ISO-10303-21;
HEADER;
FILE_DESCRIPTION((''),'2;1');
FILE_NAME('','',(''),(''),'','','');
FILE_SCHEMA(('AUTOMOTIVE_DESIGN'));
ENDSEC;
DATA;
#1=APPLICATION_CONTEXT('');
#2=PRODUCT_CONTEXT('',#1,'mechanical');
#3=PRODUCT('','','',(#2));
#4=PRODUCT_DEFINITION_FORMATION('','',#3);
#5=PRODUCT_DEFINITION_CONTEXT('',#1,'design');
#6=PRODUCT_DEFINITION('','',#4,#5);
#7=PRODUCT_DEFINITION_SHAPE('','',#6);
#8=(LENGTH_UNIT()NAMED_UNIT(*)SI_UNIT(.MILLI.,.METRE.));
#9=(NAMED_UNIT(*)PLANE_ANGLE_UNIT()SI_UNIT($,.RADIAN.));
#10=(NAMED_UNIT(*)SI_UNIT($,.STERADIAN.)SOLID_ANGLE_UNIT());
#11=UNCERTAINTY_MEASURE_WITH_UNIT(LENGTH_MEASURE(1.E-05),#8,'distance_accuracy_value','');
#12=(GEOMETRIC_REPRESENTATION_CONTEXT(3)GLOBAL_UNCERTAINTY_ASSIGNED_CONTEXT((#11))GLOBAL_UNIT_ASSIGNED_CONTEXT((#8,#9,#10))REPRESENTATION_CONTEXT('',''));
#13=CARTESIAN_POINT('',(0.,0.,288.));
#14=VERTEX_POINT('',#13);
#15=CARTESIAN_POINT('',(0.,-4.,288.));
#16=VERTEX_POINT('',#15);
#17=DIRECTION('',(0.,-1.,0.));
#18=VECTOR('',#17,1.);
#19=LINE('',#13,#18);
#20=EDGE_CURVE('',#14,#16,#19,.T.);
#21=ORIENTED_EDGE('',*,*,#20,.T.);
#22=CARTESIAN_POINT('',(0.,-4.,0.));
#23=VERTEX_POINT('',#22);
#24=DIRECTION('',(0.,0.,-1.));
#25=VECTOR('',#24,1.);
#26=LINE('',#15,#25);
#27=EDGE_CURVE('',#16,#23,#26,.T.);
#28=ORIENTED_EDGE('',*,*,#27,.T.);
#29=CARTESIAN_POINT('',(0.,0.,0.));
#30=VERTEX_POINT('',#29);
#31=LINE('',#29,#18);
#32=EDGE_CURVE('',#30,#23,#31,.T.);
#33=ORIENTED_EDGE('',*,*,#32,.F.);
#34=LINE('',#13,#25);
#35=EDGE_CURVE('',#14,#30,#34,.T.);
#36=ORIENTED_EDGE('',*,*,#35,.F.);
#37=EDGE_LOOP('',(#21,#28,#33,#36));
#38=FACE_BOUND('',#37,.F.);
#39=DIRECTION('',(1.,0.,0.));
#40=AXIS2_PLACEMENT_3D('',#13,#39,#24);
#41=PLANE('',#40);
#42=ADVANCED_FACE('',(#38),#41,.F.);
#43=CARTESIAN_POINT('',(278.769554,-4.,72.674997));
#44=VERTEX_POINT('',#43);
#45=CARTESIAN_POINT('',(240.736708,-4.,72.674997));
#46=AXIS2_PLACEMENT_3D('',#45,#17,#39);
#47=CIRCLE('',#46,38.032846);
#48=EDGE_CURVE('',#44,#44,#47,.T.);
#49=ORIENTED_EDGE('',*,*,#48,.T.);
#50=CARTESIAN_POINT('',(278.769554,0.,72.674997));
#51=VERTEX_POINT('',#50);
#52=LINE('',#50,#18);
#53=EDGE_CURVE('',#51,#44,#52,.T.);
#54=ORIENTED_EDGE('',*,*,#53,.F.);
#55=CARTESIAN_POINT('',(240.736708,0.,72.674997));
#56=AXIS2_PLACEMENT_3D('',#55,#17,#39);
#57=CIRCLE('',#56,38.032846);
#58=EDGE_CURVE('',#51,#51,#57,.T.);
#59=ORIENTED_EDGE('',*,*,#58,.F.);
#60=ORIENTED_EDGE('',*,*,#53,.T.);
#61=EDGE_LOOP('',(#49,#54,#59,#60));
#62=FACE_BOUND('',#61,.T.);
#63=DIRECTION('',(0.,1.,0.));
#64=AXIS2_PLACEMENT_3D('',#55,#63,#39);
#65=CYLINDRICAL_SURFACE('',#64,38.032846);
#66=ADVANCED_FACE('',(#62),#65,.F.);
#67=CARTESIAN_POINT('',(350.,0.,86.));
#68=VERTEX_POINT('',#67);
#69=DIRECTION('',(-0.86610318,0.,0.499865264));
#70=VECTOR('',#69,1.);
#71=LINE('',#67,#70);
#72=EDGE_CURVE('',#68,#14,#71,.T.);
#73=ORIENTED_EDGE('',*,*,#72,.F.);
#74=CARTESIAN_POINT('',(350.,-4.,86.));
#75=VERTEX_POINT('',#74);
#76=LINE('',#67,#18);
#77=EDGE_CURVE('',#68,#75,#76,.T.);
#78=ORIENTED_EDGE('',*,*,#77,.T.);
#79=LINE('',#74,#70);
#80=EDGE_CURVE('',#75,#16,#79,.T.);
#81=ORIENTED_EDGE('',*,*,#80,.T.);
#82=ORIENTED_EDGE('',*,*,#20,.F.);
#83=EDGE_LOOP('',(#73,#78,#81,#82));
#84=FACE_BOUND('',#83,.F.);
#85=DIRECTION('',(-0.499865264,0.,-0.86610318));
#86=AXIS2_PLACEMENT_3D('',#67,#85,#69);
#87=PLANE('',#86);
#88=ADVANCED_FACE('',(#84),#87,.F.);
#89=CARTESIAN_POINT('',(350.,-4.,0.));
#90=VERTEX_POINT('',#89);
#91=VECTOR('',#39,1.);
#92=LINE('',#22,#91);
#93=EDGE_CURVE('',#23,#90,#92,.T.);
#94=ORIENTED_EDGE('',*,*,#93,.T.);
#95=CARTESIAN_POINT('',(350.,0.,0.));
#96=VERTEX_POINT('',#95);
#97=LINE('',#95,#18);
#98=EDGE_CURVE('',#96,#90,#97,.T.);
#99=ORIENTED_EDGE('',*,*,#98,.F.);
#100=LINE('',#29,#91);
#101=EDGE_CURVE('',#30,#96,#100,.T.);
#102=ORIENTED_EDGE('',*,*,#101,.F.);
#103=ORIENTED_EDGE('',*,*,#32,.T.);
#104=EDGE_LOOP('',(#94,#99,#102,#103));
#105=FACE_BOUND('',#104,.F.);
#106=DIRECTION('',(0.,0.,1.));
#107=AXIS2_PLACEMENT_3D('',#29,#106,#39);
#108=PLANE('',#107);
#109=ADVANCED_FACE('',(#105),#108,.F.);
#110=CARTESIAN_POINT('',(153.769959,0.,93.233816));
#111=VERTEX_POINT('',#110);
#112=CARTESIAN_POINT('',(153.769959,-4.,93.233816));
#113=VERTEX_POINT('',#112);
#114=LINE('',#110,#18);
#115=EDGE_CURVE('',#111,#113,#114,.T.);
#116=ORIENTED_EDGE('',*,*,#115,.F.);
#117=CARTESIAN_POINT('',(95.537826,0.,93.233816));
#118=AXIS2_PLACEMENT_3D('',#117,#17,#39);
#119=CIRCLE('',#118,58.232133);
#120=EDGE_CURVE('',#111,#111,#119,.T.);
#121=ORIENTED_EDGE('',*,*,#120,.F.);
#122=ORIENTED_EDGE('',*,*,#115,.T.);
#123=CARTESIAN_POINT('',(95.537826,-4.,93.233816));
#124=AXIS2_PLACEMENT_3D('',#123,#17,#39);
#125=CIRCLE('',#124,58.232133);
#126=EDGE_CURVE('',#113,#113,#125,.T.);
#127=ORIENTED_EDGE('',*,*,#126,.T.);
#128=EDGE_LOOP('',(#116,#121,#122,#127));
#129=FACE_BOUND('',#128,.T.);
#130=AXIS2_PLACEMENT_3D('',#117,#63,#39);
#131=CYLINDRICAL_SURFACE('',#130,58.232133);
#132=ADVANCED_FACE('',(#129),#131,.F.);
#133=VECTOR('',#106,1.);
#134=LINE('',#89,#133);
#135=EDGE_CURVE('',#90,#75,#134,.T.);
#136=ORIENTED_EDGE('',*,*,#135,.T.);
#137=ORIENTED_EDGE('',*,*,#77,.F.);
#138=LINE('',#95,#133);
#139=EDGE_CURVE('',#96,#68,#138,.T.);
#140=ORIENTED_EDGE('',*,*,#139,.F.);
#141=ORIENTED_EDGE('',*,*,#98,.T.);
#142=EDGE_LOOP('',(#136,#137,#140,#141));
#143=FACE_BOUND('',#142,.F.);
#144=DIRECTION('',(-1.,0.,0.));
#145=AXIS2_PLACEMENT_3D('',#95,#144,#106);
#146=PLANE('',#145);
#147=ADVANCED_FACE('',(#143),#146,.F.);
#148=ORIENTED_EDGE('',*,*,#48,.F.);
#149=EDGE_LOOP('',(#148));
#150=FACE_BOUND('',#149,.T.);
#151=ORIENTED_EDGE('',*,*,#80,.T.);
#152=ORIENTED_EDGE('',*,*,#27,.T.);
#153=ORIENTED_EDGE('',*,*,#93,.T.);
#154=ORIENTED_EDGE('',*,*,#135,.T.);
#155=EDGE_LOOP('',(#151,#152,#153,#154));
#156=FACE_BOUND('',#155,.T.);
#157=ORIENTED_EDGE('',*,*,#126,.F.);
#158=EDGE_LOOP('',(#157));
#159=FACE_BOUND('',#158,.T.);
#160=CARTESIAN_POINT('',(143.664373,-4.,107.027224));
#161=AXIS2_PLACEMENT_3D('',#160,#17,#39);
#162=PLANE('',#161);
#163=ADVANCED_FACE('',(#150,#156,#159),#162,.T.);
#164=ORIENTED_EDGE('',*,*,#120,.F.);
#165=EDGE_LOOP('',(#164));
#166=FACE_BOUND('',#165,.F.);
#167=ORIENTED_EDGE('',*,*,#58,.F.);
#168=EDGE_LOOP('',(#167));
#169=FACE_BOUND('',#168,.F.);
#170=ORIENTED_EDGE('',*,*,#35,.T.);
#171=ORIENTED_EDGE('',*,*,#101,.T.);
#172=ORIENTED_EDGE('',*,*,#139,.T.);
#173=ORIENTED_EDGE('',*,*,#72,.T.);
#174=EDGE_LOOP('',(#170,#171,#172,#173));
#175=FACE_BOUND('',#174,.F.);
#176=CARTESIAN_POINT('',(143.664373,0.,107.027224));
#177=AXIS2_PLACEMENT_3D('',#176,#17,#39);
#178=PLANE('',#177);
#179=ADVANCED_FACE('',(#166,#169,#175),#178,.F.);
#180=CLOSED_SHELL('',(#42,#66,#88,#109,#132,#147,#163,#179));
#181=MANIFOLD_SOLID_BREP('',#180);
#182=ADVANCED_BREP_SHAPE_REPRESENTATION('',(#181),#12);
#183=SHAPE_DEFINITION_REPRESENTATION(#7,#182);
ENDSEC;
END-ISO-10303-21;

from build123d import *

# Parameters (mm, degrees)
F0_R     = 58.232133
F0_R_2   = 38.032846
F1_DEPTH = 4


with BuildPart() as f1:
    # F0 (on Front) → F1 (new body)
    with BuildSketch(Plane.XZ):
        Polygon((0, 288), (0, 0), (350, 0), (350, 86), align=None)
        with Locations((95.537826, 93.233816)):
            Circle(F0_R, mode=Mode.SUBTRACT)
        with Locations((240.736708, 72.674997)):
            Circle(F0_R_2, mode=Mode.SUBTRACT)
    extrude(amount=F1_DEPTH)


solid = f1.part
